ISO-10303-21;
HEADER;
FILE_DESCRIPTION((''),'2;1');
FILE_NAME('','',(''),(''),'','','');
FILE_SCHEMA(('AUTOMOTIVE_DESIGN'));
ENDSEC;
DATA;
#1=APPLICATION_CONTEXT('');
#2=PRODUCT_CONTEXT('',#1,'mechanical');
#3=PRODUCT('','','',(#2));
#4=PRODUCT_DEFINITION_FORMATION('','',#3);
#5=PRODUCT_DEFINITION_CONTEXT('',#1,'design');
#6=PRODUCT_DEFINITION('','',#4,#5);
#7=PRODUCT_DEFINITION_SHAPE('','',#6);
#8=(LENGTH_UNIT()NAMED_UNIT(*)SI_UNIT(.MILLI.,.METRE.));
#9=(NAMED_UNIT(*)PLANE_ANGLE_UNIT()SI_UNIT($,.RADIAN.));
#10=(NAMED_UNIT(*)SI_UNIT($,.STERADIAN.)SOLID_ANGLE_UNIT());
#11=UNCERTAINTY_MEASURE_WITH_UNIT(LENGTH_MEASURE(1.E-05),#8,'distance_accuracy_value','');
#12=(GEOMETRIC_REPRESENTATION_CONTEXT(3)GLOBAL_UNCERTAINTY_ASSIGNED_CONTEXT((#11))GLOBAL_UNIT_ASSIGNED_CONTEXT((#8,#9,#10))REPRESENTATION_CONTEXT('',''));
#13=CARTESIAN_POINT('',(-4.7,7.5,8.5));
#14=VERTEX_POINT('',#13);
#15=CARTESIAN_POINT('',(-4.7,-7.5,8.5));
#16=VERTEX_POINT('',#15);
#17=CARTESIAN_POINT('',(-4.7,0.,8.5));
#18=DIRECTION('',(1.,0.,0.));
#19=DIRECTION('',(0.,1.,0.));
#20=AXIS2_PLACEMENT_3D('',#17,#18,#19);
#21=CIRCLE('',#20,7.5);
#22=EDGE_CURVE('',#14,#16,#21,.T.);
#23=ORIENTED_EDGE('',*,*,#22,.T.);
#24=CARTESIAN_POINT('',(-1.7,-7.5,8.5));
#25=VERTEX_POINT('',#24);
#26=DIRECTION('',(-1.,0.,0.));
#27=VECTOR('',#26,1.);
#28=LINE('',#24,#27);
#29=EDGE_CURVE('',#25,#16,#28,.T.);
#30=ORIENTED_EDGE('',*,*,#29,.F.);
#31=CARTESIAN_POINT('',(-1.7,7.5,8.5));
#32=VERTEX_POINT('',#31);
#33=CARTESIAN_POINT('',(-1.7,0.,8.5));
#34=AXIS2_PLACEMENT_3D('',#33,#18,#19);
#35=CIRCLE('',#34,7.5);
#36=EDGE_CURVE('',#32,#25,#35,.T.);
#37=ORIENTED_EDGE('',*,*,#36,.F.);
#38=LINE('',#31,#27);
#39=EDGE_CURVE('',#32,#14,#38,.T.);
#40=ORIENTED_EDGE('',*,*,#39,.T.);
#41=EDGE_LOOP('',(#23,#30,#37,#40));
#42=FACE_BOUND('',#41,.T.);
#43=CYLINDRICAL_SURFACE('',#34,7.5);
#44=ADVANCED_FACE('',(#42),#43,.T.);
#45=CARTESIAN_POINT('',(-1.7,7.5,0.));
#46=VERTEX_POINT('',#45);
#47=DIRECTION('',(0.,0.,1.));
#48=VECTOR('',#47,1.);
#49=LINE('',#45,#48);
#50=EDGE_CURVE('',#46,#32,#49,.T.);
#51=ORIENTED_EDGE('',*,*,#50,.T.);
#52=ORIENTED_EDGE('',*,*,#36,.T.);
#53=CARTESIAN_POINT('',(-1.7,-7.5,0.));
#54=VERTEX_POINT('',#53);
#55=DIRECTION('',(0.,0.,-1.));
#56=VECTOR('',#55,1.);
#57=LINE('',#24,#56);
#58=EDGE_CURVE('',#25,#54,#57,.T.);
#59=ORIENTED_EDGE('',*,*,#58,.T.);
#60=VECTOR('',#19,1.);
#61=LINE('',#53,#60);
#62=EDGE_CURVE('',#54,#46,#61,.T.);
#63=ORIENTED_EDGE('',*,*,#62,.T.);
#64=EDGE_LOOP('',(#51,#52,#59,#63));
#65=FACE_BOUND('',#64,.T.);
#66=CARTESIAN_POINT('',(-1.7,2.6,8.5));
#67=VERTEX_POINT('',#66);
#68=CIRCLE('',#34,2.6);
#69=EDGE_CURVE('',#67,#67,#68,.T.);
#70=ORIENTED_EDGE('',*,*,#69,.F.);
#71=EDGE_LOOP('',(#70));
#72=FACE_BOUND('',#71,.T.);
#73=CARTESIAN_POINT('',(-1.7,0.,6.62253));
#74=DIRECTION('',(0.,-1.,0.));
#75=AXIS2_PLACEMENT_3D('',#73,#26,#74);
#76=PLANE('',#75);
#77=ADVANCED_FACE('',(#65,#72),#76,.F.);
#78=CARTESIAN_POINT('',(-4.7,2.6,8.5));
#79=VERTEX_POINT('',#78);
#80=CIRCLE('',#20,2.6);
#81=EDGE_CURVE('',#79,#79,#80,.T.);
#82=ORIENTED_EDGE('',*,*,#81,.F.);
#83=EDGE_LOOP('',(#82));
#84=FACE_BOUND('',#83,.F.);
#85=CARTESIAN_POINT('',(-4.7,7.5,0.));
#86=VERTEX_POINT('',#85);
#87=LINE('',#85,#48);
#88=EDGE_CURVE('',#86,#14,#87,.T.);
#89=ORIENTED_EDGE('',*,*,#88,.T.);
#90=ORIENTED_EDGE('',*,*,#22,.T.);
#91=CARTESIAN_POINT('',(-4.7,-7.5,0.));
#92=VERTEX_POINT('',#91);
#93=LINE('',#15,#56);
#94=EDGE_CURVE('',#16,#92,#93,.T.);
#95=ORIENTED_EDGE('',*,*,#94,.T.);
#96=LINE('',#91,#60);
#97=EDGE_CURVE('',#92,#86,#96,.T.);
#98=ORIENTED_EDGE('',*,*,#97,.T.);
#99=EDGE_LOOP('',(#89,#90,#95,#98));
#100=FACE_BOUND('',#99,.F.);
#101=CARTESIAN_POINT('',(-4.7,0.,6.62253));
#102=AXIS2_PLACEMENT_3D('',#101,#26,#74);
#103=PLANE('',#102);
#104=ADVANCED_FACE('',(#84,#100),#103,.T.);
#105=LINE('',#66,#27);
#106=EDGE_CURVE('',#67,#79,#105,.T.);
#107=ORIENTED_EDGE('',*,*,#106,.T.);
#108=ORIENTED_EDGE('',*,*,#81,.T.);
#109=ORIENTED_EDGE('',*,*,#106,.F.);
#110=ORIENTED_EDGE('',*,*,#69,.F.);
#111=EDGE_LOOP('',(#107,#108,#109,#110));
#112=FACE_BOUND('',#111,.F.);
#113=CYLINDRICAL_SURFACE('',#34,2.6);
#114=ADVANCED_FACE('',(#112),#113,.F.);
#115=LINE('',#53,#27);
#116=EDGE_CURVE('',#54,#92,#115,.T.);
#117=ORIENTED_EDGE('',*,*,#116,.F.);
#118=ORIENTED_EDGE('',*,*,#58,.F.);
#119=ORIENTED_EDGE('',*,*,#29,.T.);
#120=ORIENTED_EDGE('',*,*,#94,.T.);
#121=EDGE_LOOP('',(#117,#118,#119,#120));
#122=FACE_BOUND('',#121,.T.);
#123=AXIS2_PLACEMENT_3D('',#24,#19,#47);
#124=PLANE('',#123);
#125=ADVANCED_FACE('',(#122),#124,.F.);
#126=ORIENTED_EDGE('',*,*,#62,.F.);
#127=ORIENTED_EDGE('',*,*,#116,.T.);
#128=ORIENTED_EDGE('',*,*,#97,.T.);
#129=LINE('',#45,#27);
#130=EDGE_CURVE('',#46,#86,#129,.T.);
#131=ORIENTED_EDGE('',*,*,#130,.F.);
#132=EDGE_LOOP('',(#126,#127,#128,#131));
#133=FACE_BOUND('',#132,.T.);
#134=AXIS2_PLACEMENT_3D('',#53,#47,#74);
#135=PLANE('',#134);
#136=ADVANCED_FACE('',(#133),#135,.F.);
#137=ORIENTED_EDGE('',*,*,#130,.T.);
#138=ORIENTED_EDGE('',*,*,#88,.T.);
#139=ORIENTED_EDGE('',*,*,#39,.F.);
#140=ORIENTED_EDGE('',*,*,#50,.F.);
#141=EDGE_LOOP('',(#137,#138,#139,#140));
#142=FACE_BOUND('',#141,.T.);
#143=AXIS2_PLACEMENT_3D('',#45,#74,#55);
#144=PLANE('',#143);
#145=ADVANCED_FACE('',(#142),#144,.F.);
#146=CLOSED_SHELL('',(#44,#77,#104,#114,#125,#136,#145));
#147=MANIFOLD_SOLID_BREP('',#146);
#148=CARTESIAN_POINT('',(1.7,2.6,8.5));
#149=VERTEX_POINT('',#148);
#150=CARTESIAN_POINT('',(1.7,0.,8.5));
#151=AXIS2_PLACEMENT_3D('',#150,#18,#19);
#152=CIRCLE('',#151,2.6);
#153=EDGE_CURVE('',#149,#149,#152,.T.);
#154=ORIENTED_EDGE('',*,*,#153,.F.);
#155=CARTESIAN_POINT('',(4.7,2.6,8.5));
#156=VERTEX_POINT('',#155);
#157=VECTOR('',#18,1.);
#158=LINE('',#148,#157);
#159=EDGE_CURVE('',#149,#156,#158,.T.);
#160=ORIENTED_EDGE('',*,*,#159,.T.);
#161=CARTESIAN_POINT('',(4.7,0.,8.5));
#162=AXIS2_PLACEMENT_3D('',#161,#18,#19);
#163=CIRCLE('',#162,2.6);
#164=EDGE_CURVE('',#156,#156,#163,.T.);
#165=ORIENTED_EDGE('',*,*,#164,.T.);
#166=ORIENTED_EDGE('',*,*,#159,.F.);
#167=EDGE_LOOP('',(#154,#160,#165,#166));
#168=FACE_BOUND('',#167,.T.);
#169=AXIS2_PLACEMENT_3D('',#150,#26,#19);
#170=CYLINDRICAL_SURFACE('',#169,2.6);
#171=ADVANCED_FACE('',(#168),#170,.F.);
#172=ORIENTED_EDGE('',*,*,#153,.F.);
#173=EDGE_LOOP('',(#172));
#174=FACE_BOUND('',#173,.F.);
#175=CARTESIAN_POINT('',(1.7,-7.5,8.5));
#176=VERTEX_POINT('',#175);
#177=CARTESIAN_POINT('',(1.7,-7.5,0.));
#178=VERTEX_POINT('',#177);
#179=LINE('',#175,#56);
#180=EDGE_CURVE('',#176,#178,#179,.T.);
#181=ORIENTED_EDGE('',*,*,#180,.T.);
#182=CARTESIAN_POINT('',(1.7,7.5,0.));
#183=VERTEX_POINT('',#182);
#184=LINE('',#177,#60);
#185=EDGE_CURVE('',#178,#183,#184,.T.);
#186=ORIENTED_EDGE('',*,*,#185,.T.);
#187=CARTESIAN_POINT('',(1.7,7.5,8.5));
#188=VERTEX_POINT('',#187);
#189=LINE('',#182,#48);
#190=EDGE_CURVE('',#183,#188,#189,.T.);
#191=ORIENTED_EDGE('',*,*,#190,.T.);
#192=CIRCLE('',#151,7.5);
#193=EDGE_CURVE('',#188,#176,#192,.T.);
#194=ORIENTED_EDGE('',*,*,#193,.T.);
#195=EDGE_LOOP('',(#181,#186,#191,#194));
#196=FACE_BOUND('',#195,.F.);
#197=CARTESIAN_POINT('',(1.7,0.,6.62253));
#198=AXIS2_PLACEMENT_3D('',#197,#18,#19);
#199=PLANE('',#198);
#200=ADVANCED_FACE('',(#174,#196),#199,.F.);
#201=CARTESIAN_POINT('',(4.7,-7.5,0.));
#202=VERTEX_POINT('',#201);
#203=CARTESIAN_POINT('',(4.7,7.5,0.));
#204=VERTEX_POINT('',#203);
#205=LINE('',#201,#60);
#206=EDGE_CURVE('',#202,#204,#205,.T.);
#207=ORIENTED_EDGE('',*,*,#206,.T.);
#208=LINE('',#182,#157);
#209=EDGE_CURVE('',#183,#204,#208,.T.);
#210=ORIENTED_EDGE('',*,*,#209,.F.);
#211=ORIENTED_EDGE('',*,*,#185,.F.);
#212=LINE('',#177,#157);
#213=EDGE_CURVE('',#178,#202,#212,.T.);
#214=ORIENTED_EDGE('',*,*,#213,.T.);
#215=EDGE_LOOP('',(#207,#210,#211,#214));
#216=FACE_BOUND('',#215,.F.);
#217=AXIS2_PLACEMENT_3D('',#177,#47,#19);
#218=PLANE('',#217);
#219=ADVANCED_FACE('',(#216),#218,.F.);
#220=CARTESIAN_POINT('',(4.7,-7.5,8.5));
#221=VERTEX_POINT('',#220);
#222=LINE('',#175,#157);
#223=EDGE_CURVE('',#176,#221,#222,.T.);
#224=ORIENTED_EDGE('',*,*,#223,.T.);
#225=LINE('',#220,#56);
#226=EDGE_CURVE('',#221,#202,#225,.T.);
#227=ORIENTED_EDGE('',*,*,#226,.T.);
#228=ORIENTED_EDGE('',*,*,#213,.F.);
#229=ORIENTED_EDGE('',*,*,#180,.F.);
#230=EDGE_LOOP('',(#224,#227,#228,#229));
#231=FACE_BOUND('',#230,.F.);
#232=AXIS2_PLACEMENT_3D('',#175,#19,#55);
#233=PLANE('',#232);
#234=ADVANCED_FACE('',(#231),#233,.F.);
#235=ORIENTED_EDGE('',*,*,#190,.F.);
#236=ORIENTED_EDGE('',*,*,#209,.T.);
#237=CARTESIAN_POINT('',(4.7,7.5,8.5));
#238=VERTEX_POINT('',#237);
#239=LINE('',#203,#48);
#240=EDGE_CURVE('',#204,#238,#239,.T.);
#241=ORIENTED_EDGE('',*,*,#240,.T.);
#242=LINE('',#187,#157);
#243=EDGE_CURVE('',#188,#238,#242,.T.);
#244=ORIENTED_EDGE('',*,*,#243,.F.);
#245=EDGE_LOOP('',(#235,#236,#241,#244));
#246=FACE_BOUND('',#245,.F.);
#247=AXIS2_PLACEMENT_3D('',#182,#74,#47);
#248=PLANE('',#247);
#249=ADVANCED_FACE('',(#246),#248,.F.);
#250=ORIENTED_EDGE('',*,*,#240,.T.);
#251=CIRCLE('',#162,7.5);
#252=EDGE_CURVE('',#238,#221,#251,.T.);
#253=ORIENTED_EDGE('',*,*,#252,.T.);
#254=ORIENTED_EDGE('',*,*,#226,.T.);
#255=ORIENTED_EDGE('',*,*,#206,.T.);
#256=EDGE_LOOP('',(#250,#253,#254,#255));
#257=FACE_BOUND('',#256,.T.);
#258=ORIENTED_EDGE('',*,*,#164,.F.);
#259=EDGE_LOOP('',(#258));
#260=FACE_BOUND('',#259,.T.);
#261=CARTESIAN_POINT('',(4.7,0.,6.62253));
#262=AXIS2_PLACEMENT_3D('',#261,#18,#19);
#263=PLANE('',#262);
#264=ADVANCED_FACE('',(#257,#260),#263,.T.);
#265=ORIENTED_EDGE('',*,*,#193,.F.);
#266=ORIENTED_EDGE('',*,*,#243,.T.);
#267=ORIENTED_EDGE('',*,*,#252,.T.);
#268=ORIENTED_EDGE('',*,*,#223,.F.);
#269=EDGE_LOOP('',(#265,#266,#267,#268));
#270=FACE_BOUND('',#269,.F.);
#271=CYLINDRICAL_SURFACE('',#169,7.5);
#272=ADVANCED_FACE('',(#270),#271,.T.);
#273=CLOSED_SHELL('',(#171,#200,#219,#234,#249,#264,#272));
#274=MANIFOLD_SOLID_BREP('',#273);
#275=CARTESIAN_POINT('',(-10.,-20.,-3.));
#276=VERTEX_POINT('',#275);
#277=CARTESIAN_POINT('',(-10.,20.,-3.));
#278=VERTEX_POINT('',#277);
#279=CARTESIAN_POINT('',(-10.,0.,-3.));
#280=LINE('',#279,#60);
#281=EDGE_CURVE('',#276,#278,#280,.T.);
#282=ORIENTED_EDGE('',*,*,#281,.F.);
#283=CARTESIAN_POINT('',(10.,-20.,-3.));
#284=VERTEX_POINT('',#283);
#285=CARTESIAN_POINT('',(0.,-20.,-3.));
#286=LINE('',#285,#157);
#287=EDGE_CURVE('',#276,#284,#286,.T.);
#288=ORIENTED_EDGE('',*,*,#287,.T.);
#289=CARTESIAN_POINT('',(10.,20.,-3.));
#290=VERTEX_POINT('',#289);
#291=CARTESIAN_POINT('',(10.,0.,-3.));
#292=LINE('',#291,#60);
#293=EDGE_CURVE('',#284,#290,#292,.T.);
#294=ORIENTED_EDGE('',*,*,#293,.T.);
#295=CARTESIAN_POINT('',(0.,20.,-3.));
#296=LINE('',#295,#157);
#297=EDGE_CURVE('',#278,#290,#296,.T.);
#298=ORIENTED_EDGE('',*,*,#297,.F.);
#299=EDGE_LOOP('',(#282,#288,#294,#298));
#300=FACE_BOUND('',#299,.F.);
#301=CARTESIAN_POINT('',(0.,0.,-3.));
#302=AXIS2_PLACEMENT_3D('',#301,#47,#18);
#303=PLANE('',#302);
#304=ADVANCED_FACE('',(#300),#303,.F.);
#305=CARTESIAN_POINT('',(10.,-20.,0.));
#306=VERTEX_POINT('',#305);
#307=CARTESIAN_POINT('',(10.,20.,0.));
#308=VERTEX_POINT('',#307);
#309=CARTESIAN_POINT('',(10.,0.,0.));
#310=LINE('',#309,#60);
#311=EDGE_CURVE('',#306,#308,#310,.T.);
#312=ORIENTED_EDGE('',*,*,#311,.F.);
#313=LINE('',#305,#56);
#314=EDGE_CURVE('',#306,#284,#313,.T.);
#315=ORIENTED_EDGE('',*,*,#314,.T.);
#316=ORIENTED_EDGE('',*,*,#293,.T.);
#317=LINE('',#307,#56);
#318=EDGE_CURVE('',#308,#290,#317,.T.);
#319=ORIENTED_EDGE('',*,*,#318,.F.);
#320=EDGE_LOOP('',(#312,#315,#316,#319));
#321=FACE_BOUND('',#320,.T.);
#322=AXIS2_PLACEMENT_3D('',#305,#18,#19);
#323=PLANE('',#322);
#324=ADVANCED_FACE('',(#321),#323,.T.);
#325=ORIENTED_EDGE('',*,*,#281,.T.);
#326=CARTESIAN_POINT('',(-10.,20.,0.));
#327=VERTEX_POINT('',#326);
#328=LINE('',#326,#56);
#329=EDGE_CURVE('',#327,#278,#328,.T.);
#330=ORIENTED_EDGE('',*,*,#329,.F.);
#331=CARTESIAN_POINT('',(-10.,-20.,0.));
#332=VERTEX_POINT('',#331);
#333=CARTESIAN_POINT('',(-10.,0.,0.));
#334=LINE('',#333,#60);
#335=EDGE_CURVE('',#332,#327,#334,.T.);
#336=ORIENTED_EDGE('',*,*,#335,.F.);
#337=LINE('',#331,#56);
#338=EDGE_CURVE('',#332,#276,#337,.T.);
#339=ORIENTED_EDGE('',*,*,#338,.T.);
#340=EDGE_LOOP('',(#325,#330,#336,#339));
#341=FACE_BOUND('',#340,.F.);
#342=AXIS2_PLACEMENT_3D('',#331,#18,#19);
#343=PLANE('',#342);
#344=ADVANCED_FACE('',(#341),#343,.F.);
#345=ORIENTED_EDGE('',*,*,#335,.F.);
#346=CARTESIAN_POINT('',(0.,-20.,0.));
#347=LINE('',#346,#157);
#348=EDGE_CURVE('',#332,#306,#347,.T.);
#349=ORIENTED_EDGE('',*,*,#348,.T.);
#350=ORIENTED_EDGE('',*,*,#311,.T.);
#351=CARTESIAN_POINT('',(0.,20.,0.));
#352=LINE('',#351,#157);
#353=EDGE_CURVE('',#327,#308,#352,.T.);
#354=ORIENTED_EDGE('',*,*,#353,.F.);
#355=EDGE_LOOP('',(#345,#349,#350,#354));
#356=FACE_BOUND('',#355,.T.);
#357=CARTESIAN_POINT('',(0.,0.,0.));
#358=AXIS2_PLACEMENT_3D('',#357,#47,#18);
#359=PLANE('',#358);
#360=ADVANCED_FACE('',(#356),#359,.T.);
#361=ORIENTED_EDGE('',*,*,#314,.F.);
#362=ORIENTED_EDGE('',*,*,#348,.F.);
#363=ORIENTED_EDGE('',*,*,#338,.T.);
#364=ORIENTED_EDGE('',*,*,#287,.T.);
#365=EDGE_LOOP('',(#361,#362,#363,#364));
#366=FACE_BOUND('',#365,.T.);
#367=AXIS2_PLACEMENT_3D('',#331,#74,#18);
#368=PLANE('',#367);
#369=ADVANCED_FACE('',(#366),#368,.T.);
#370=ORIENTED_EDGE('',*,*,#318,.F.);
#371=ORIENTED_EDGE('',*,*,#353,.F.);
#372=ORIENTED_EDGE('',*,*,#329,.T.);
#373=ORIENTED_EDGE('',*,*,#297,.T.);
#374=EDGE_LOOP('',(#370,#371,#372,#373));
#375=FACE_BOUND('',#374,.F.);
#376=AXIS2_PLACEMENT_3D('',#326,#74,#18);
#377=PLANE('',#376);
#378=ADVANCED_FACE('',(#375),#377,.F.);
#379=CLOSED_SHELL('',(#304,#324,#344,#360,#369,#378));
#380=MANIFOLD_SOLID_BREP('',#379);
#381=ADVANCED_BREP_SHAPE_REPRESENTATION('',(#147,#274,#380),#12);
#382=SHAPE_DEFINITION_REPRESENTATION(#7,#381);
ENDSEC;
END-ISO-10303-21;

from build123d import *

# Parameters (mm, degrees)
F1_R     = 2.6
F2_DEPTH = 3
F4_W     = 20
F4_H     = 40
F5_DEPTH = 3


with BuildPart() as f2:
    # F1 (on offset) → F2 (new body)
    with BuildSketch(Plane.YZ.offset(1.7)):
        with BuildLine():
            Line((7.5, 0), (7.5, 8.5))
            ThreePointArc((7.5, 8.5), (0, 16), (-7.5, 8.5))
            Line((-7.5, 8.5), (-7.5, 0))
            Line((-7.5, 0), (7.5, 0))
        make_face()
        with Locations((0, 8.5)):
            Circle(F1_R, mode=Mode.SUBTRACT)
    extrude(amount=F2_DEPTH)


with BuildPart() as f3_1:
    # F3: instance of F2
    add(f2.part.mirror(Plane.YZ))


with BuildPart() as f5:
    # F4 (on Top) → F5 (new body)
    with BuildSketch(Plane.XY):
        Rectangle(F4_W, F4_H)
    extrude(amount=-F5_DEPTH)


solid = Compound([f2.part, f3_1.part, f5.part])
